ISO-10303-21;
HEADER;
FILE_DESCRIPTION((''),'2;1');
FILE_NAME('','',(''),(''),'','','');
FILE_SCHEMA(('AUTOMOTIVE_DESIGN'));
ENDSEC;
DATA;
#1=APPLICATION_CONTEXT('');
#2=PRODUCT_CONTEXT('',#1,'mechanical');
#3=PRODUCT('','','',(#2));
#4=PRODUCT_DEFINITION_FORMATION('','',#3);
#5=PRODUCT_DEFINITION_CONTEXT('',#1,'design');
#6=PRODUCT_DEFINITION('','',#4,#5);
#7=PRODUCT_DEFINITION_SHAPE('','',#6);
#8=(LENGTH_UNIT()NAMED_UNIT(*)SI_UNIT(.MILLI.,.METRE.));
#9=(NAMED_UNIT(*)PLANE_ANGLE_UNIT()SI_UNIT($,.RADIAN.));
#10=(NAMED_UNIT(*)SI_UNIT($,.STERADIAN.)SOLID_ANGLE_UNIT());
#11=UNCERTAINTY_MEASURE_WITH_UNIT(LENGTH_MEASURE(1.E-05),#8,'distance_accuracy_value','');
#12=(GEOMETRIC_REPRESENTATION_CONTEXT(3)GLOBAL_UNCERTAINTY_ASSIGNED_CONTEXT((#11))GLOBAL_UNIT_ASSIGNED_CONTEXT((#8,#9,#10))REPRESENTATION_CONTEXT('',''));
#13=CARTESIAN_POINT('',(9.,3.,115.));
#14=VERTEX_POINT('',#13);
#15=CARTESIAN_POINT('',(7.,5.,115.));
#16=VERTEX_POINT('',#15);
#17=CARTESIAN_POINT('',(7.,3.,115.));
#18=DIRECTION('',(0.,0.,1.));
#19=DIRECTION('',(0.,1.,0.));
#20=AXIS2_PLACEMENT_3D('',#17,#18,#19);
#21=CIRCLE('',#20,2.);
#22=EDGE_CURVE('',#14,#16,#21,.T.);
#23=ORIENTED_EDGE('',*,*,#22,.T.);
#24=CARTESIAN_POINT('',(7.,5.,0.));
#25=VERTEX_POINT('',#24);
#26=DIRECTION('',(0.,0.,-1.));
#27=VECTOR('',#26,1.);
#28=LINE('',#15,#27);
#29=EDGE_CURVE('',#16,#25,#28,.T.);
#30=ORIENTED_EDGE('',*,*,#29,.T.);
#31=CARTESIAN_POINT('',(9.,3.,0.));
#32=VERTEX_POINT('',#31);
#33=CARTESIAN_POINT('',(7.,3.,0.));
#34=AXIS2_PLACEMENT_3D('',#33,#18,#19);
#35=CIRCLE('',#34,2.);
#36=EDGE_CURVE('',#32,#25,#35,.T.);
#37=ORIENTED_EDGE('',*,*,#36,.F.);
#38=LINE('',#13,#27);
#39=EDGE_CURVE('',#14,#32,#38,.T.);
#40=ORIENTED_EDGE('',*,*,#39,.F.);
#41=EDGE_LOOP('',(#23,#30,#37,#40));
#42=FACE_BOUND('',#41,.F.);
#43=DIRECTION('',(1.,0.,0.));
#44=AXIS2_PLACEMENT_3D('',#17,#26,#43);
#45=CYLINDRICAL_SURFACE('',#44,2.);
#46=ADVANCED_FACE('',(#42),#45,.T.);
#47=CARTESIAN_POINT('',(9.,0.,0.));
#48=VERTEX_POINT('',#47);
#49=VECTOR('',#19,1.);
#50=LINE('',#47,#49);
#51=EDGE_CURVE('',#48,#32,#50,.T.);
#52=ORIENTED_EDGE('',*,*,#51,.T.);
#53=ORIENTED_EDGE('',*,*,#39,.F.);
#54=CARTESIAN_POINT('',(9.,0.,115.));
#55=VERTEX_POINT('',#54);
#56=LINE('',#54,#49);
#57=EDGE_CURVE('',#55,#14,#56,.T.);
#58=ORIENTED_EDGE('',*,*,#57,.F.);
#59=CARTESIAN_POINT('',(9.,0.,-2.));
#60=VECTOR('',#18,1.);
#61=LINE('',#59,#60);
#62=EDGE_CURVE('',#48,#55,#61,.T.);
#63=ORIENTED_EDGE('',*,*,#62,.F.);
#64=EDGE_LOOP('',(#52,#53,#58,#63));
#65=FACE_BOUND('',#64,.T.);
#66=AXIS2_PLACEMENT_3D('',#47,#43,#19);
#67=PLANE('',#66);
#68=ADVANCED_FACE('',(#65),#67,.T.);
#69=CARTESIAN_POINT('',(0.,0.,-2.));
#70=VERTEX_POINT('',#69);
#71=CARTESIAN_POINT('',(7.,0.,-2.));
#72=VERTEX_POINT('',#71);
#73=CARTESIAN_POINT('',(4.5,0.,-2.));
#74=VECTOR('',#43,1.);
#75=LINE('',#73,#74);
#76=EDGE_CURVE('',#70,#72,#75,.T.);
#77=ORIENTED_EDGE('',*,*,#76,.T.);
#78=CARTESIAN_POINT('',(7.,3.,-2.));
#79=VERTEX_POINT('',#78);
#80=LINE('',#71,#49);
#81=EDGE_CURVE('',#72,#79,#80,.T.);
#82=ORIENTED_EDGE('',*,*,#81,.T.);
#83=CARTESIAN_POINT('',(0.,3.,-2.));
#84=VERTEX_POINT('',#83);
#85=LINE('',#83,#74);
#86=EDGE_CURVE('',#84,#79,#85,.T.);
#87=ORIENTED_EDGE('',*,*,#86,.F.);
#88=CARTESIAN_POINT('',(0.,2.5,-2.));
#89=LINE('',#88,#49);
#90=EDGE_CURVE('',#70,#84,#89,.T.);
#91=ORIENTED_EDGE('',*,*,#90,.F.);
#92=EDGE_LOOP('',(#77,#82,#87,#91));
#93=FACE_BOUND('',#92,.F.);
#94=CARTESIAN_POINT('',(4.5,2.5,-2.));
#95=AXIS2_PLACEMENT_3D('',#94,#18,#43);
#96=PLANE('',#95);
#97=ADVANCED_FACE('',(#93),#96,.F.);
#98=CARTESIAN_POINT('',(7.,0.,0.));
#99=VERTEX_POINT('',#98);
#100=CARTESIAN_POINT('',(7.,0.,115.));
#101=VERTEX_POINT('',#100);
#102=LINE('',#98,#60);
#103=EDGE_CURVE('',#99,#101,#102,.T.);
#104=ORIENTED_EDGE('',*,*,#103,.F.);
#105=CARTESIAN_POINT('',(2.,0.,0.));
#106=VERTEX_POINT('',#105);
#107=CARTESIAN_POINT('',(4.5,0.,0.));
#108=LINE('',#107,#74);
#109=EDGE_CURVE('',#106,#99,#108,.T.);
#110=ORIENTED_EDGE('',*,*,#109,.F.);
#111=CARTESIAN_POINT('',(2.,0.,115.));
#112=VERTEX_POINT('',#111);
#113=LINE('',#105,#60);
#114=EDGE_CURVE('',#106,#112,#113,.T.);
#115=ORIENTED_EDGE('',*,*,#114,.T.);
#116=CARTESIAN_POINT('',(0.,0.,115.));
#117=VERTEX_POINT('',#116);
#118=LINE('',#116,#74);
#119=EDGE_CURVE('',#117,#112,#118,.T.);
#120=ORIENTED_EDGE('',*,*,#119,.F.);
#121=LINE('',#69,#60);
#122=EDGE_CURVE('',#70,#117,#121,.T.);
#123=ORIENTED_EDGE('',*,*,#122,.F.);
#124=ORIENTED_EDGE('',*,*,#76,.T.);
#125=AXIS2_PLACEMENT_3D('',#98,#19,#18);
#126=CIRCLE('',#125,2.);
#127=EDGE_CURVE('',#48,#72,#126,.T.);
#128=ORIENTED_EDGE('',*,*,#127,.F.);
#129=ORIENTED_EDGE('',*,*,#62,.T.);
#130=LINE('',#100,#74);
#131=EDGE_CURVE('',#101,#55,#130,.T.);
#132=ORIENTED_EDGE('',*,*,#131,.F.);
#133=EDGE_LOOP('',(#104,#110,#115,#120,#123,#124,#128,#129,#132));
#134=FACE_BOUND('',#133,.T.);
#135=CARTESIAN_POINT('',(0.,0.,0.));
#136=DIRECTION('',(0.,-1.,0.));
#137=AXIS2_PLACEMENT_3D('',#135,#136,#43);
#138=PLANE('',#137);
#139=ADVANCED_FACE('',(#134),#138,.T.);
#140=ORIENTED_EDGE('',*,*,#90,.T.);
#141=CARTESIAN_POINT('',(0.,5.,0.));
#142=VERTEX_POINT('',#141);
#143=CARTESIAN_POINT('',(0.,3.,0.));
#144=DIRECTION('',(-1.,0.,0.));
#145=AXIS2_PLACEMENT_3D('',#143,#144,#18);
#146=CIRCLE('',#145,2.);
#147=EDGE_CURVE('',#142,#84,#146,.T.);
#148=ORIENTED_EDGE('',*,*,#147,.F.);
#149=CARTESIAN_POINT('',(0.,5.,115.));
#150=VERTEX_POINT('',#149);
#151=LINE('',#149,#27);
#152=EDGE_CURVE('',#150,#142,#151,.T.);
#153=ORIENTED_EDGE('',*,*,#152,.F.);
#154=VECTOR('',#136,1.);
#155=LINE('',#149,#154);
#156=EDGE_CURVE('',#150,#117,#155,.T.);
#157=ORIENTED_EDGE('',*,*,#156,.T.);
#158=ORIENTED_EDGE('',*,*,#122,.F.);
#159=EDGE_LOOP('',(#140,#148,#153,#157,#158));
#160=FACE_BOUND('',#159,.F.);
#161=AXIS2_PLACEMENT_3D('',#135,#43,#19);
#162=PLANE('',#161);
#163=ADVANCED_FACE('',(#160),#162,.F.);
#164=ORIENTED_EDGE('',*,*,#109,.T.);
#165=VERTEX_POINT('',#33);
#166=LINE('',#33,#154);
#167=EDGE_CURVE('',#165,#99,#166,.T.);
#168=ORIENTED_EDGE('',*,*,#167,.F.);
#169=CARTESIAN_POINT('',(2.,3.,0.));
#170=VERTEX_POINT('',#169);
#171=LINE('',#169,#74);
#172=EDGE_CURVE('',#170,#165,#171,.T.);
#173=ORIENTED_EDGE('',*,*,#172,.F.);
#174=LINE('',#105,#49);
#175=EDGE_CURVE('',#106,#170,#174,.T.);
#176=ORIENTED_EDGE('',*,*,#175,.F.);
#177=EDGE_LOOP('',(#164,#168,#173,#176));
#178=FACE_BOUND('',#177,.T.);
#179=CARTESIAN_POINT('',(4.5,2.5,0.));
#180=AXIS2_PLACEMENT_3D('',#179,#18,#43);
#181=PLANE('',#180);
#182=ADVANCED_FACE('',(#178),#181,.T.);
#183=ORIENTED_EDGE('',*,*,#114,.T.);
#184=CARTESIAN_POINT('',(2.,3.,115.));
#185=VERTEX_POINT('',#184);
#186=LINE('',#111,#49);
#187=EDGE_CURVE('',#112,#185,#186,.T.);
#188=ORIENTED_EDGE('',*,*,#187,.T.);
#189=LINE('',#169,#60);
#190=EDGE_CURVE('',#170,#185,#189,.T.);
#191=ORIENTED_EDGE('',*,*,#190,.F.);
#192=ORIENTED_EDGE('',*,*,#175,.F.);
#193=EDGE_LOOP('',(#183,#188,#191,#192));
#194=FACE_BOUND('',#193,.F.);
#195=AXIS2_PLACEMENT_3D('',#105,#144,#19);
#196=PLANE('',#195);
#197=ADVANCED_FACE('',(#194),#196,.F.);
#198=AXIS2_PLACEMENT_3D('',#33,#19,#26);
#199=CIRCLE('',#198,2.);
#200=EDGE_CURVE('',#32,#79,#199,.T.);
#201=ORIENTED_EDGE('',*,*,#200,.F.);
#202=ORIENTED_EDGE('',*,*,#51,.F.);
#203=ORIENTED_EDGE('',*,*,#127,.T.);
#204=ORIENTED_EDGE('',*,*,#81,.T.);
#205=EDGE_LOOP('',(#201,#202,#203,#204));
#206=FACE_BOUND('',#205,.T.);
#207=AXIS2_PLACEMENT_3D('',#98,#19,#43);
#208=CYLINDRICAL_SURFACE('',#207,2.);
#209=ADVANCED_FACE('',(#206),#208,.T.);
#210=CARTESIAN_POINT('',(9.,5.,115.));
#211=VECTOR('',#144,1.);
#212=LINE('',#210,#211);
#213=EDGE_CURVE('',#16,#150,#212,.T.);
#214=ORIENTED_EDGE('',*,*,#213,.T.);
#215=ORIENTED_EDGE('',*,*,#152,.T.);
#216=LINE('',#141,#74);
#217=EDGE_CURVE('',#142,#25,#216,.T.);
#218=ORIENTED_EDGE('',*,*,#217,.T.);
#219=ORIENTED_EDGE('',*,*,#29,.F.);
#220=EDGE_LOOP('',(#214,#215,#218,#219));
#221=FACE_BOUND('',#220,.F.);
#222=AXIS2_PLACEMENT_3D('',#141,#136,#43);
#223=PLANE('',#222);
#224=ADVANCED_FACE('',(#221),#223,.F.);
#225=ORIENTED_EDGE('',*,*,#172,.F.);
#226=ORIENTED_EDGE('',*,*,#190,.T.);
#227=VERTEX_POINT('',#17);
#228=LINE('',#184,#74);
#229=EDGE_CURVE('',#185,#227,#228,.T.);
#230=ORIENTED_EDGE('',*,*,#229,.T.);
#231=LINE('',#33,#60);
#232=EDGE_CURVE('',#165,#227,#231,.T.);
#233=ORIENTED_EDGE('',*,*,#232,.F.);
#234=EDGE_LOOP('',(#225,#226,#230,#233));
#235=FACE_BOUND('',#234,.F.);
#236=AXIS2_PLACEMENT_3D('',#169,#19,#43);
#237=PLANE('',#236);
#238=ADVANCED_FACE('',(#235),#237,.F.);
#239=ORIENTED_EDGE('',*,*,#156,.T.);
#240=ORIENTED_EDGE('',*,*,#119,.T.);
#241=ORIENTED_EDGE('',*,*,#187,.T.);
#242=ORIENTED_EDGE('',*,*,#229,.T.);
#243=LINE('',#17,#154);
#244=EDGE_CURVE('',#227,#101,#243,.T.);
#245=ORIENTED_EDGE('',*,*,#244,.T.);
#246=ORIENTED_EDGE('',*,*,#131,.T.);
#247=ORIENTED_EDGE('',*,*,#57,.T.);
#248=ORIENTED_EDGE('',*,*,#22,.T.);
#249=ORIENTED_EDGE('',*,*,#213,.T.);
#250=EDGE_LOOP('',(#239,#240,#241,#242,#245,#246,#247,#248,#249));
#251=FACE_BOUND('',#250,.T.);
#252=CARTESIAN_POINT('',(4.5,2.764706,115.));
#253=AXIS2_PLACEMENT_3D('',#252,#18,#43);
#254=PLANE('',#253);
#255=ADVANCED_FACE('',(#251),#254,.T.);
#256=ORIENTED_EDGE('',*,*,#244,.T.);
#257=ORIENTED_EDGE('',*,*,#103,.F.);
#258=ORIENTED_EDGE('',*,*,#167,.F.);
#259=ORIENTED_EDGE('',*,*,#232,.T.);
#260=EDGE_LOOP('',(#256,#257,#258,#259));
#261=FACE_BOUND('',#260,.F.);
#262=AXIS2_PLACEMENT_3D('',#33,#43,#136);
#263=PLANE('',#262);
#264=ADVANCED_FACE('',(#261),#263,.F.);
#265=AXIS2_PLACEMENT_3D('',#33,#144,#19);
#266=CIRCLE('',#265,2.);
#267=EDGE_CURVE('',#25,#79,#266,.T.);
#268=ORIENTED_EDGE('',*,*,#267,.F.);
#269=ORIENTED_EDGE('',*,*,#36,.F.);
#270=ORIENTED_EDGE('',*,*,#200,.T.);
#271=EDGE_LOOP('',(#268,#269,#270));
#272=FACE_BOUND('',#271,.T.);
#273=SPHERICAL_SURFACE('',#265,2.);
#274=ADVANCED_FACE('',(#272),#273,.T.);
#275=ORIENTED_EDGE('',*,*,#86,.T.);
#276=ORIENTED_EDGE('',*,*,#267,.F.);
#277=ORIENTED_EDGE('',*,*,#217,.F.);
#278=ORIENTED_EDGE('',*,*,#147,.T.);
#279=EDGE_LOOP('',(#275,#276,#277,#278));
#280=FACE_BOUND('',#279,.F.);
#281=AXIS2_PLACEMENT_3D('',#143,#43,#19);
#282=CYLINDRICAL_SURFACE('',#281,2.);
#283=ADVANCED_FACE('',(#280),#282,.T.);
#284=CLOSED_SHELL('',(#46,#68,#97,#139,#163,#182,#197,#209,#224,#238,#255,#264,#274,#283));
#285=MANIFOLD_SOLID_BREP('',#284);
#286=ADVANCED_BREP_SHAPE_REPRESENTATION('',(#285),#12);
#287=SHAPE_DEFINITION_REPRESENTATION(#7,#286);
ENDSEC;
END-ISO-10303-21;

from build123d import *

# Parameters (mm, degrees)
F1_DEPTH = 115
F2_W     = 9
F2_H     = 5
F3_DEPTH = 2
F4_R     = 2


with BuildPart() as f1:
    # F0 (on Top) → F1 (new body)
    with BuildSketch(Plane.XY):
        Polygon((0, 5), (0, 0), (2, 0), (2, 3), (7, 3), (7, 0), (9, 0), (9, 5), align=None)
    extrude(amount=F1_DEPTH)

    # F2 (on Top) → F3 (join)
    with BuildSketch(Plane.XY):
        with Locations((4.5, 2.5)):
            Rectangle(F2_W, F2_H)
    extrude(amount=-F3_DEPTH)

    # F4
    f4_edges = [f1.edges().sort_by_distance(p)[0] for p in [
        (4.5, 5, -2),
        (9, 5, 56.5),
        (9, 2.5, -2),
    ]]
    fillet(f4_edges, radius=F4_R)


solid = f1.part
